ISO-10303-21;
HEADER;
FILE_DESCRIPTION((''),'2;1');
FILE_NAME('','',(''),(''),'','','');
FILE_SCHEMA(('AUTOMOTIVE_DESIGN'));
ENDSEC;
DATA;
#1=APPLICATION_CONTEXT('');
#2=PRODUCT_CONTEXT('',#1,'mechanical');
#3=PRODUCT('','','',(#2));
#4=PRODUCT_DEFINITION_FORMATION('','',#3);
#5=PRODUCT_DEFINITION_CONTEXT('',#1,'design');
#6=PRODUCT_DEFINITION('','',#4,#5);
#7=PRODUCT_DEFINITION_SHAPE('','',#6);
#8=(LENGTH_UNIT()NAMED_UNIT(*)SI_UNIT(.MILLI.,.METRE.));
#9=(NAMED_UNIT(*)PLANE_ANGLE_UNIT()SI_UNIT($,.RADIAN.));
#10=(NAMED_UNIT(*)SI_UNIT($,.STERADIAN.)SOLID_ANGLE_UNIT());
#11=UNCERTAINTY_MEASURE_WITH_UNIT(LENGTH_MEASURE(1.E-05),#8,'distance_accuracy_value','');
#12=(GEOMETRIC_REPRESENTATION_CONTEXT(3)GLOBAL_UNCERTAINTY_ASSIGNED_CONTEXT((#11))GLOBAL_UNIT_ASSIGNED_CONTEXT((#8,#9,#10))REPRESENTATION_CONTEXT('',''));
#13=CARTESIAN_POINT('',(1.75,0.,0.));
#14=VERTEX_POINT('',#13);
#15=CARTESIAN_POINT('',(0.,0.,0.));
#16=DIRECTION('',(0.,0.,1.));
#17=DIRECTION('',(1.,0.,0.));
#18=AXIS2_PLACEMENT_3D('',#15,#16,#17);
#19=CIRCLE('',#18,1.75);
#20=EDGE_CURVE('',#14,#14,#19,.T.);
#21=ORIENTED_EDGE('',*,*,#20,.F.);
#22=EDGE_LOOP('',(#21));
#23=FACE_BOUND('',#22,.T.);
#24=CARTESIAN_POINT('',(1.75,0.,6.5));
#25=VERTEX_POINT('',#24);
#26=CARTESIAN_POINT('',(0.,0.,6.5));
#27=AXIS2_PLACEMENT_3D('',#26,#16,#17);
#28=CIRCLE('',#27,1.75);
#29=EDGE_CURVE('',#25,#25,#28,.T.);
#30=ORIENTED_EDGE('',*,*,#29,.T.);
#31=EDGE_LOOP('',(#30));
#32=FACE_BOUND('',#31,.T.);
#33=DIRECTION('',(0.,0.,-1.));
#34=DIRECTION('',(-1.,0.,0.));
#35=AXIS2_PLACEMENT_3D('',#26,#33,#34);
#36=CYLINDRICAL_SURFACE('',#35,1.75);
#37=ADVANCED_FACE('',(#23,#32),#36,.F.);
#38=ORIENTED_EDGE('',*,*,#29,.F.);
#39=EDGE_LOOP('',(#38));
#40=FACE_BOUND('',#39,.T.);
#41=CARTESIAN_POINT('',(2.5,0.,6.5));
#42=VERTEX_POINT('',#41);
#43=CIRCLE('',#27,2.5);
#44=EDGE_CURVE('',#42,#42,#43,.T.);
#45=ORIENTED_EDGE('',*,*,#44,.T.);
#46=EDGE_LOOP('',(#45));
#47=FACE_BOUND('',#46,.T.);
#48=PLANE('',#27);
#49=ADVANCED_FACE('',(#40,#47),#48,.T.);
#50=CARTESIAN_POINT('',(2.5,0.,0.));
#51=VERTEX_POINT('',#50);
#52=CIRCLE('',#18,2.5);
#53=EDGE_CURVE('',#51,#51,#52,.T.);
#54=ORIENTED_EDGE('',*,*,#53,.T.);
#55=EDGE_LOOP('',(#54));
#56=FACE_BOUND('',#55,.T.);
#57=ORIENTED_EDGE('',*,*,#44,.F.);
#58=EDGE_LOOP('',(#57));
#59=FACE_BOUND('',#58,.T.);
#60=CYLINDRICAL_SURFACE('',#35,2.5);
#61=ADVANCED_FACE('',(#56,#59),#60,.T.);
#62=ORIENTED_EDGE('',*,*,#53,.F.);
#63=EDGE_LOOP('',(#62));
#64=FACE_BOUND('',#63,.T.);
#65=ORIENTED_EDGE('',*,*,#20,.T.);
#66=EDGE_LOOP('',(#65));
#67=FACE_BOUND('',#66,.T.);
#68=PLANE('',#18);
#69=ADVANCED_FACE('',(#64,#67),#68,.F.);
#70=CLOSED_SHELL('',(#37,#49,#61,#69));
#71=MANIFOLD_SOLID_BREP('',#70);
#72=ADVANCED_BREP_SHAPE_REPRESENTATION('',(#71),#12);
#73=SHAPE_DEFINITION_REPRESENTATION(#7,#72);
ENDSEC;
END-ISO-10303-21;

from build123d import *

# Parameters (mm, degrees)
ESBO_O1_R                = 2.5
ESBO_O1_R_2              = 1.75
RESSALTO_EXTRUS_O1_DEPTH = 6.5


with BuildPart() as part:
    # Esboço1 → Ressalto-extrusão1 (new body)
    with BuildSketch(Plane.XY):
        Circle(ESBO_O1_R)
        Circle(ESBO_O1_R_2, mode=Mode.SUBTRACT)
    extrude(amount=RESSALTO_EXTRUS_O1_DEPTH)


solid = part.part
